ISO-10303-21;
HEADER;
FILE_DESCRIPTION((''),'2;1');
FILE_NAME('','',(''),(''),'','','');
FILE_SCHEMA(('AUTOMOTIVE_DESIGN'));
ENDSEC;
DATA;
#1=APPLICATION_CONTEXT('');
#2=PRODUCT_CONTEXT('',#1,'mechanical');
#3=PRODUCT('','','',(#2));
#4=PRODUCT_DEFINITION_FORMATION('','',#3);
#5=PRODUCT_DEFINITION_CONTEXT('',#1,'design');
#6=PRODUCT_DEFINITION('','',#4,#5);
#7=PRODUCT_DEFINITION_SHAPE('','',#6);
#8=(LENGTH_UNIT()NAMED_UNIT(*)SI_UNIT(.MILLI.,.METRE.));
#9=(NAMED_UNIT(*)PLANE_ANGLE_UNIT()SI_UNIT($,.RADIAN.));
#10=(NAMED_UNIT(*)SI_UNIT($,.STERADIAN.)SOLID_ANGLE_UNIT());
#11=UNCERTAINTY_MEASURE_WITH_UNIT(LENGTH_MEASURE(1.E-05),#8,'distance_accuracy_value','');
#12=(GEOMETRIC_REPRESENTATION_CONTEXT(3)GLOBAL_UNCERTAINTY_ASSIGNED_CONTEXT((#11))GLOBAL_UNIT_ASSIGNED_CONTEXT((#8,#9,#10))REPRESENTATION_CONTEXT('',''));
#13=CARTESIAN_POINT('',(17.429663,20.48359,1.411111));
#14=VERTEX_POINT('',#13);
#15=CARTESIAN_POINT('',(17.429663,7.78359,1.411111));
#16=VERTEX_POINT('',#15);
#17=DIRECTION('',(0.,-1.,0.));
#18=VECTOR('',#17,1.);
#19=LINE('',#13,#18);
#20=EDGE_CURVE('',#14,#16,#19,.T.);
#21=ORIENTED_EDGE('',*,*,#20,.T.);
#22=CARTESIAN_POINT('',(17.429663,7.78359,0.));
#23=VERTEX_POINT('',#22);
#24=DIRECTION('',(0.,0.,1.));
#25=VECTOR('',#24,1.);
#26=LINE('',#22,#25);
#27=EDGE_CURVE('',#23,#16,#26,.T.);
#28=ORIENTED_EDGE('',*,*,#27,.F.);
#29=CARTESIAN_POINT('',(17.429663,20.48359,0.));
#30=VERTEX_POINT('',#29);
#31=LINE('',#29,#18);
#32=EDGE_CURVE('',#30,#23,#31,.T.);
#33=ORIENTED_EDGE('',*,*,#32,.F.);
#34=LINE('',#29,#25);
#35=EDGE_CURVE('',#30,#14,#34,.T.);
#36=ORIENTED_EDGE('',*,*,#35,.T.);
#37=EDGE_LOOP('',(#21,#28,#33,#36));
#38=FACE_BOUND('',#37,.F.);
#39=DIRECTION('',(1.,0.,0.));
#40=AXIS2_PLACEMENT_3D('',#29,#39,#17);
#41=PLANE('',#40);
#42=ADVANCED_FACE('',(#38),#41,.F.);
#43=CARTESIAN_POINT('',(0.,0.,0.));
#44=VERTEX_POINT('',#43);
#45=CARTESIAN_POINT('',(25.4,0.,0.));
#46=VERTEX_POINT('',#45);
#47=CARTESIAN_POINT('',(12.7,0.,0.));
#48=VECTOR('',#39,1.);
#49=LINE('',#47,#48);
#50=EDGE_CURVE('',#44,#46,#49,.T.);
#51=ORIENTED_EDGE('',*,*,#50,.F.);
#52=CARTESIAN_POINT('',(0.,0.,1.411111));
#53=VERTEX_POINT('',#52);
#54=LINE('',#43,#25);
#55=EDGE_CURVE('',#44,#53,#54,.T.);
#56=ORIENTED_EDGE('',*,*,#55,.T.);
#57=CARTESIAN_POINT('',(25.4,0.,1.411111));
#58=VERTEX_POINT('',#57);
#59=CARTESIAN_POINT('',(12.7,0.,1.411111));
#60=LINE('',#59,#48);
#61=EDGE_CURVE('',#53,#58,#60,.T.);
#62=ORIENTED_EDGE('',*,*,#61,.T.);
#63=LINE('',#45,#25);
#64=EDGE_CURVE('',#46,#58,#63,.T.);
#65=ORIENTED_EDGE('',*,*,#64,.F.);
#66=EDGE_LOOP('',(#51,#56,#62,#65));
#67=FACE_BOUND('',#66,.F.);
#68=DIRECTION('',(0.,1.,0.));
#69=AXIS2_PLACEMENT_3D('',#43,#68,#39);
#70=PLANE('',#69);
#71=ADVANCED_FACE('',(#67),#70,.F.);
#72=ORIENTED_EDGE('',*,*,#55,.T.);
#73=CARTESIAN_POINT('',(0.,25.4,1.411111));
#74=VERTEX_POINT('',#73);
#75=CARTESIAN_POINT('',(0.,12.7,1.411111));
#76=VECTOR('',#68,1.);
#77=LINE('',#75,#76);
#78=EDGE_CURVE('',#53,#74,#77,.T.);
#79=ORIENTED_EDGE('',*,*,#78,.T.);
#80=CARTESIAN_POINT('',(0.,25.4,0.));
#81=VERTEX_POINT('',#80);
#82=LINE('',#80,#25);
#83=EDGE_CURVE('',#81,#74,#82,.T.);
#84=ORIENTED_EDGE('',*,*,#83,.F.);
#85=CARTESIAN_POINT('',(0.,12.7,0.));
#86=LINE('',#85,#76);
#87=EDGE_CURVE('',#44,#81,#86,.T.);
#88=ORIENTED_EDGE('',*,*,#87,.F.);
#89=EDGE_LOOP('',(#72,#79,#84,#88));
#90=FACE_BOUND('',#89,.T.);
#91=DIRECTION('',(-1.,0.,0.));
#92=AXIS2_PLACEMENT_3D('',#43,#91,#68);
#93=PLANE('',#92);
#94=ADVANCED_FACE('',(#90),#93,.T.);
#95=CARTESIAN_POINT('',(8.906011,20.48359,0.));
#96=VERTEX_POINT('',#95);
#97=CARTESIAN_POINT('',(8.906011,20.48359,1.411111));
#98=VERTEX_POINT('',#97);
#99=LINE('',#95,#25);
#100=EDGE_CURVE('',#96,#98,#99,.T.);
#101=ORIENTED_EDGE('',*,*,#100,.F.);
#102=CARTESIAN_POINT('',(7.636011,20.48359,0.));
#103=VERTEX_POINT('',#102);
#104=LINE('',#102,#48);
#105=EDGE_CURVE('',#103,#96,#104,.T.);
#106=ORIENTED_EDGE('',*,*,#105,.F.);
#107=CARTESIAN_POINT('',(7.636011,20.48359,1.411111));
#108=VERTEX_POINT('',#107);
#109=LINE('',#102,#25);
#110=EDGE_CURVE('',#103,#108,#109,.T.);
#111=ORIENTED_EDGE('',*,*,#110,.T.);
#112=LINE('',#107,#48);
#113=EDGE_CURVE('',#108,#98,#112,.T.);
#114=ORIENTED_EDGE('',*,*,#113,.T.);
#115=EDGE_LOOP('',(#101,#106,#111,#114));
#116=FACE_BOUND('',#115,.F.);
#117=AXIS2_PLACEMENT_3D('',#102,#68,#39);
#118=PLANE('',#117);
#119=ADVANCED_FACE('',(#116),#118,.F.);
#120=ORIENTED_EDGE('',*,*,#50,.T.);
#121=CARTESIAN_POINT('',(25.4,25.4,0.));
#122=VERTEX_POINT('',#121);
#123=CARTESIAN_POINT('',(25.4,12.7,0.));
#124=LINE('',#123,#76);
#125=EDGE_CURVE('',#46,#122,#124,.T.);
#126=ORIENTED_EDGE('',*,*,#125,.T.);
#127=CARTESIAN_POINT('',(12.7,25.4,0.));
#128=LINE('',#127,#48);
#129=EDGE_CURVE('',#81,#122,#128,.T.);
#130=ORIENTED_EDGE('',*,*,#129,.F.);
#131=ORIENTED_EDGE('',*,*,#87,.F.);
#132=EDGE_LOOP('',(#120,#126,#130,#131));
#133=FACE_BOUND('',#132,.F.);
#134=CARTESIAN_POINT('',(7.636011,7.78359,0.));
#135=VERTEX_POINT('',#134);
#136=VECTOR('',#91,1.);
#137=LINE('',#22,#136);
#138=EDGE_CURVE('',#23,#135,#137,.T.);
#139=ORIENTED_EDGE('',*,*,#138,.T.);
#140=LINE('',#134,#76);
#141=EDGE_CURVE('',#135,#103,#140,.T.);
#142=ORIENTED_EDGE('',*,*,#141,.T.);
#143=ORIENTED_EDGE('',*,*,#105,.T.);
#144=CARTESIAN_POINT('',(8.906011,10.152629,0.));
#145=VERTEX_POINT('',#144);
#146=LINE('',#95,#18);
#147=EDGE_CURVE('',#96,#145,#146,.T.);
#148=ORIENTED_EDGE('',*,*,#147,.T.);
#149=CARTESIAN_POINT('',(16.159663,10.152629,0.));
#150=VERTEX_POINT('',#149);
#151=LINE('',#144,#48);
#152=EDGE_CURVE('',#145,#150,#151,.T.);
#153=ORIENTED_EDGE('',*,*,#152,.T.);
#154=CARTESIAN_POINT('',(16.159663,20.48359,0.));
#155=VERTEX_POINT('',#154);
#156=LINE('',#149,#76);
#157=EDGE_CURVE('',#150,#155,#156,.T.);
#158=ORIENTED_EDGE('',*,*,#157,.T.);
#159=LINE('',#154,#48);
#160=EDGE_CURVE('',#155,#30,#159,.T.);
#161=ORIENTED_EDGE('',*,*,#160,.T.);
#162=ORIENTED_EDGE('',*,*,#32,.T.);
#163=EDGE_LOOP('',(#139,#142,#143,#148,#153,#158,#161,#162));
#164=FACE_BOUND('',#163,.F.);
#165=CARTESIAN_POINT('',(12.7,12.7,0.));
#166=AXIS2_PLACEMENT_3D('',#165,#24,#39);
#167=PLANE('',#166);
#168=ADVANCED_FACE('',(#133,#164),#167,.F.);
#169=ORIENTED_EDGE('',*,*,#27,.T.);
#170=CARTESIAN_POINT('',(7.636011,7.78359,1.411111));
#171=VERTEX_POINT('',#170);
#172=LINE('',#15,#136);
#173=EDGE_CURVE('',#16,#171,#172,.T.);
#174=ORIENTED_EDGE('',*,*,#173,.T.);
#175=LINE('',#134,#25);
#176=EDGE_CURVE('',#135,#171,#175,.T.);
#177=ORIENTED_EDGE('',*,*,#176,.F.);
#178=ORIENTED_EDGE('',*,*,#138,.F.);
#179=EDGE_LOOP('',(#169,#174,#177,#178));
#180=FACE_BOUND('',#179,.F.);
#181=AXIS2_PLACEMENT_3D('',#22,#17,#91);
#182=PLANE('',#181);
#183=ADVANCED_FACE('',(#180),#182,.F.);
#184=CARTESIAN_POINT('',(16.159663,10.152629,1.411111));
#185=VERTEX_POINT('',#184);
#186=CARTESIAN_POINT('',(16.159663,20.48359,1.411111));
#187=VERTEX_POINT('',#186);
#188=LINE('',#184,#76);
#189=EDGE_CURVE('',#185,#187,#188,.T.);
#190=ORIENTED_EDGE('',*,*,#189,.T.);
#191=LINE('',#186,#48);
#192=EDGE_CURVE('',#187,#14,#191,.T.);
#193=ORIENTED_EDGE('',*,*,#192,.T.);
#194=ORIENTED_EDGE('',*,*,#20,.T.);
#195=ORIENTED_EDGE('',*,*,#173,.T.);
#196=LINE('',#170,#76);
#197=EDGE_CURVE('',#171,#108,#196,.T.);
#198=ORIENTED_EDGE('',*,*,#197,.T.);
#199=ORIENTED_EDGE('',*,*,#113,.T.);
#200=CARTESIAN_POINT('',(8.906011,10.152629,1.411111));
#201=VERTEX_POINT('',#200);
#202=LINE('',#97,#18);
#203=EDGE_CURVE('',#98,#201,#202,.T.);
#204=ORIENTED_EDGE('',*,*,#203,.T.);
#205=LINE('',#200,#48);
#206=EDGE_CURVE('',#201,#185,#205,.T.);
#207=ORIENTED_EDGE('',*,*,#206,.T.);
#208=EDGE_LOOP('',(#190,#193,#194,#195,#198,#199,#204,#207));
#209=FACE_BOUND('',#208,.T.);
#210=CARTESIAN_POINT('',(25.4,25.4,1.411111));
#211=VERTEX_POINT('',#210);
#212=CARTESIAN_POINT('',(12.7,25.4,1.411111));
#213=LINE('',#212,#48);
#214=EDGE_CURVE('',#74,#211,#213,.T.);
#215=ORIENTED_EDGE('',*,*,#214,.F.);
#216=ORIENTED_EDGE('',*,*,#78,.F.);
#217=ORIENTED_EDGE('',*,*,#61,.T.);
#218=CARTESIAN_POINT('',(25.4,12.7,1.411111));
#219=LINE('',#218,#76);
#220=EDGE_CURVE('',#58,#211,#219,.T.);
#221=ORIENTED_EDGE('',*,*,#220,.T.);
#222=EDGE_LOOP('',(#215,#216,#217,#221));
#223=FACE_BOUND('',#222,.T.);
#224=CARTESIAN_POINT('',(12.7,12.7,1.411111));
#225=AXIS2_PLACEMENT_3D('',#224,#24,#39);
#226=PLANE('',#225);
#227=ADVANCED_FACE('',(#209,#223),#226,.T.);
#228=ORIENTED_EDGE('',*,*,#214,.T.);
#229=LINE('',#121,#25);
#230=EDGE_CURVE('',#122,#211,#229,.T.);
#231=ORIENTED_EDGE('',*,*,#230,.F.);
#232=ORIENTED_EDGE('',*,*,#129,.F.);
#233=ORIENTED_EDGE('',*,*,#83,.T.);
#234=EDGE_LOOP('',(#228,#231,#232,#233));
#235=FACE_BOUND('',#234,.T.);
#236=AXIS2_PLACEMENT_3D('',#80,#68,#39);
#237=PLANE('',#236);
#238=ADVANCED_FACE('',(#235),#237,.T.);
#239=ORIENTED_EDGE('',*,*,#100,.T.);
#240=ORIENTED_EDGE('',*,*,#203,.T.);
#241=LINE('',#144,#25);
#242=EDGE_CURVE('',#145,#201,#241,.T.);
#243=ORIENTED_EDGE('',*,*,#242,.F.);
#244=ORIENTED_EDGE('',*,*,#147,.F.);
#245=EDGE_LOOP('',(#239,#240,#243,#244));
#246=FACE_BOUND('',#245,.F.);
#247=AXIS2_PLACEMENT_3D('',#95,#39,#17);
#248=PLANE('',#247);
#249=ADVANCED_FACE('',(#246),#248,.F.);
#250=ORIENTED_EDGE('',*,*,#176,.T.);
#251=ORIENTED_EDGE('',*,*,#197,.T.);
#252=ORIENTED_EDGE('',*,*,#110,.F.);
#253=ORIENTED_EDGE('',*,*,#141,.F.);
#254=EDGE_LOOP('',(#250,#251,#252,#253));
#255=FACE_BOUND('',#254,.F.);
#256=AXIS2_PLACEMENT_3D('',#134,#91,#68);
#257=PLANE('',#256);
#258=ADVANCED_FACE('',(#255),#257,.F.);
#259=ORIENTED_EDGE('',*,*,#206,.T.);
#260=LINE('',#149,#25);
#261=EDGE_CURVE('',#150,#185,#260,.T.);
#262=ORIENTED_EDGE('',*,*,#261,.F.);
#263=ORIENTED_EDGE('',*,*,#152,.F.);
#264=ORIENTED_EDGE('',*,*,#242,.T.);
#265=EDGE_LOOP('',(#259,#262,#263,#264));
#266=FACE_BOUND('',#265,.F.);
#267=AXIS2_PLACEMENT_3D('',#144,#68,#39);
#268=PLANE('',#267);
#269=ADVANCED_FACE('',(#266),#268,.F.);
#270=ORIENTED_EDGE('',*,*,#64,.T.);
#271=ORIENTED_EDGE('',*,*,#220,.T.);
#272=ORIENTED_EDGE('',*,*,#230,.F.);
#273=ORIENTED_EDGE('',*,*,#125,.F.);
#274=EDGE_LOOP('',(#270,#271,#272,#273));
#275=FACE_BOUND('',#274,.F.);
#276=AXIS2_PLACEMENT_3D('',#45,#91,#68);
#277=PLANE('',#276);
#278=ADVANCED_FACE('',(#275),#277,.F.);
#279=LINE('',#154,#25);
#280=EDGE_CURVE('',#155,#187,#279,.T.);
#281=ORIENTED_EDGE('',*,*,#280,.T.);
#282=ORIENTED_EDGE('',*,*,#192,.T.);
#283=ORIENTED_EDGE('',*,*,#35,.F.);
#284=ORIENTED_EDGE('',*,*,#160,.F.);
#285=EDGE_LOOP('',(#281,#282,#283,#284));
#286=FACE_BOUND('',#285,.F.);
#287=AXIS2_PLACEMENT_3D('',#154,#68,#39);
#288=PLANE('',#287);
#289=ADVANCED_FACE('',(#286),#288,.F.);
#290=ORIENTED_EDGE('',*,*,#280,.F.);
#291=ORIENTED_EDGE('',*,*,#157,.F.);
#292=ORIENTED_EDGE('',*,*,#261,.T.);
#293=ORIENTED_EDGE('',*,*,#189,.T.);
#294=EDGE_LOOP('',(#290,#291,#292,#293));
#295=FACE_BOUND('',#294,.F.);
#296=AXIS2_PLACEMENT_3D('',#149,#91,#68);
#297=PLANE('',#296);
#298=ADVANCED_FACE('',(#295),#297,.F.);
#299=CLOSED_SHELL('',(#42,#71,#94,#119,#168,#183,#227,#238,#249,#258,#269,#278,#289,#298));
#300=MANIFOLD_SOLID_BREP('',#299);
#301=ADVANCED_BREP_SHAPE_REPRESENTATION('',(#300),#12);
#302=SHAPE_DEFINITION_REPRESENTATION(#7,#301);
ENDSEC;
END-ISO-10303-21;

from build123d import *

# Parameters (mm, degrees)
F0_W     = 25.4
F0_H     = 25.4
F1_DEPTH = 1.411111


with BuildPart() as f1:
    # F0 (on Top) → F1 (new body)
    with BuildSketch(Plane.XY):
        with Locations((12.7, 12.7)):
            Rectangle(F0_W, F0_H)
        Polygon((7.636011, 7.78359), (7.636011, 20.48359), (8.906011, 20.48359), (8.906011, 10.152629), (16.159663, 10.152629), (16.159663, 20.48359), (17.429663, 20.48359), (17.429663, 7.78359), align=None, mode=Mode.SUBTRACT)
    extrude(amount=F1_DEPTH)


solid = f1.part
